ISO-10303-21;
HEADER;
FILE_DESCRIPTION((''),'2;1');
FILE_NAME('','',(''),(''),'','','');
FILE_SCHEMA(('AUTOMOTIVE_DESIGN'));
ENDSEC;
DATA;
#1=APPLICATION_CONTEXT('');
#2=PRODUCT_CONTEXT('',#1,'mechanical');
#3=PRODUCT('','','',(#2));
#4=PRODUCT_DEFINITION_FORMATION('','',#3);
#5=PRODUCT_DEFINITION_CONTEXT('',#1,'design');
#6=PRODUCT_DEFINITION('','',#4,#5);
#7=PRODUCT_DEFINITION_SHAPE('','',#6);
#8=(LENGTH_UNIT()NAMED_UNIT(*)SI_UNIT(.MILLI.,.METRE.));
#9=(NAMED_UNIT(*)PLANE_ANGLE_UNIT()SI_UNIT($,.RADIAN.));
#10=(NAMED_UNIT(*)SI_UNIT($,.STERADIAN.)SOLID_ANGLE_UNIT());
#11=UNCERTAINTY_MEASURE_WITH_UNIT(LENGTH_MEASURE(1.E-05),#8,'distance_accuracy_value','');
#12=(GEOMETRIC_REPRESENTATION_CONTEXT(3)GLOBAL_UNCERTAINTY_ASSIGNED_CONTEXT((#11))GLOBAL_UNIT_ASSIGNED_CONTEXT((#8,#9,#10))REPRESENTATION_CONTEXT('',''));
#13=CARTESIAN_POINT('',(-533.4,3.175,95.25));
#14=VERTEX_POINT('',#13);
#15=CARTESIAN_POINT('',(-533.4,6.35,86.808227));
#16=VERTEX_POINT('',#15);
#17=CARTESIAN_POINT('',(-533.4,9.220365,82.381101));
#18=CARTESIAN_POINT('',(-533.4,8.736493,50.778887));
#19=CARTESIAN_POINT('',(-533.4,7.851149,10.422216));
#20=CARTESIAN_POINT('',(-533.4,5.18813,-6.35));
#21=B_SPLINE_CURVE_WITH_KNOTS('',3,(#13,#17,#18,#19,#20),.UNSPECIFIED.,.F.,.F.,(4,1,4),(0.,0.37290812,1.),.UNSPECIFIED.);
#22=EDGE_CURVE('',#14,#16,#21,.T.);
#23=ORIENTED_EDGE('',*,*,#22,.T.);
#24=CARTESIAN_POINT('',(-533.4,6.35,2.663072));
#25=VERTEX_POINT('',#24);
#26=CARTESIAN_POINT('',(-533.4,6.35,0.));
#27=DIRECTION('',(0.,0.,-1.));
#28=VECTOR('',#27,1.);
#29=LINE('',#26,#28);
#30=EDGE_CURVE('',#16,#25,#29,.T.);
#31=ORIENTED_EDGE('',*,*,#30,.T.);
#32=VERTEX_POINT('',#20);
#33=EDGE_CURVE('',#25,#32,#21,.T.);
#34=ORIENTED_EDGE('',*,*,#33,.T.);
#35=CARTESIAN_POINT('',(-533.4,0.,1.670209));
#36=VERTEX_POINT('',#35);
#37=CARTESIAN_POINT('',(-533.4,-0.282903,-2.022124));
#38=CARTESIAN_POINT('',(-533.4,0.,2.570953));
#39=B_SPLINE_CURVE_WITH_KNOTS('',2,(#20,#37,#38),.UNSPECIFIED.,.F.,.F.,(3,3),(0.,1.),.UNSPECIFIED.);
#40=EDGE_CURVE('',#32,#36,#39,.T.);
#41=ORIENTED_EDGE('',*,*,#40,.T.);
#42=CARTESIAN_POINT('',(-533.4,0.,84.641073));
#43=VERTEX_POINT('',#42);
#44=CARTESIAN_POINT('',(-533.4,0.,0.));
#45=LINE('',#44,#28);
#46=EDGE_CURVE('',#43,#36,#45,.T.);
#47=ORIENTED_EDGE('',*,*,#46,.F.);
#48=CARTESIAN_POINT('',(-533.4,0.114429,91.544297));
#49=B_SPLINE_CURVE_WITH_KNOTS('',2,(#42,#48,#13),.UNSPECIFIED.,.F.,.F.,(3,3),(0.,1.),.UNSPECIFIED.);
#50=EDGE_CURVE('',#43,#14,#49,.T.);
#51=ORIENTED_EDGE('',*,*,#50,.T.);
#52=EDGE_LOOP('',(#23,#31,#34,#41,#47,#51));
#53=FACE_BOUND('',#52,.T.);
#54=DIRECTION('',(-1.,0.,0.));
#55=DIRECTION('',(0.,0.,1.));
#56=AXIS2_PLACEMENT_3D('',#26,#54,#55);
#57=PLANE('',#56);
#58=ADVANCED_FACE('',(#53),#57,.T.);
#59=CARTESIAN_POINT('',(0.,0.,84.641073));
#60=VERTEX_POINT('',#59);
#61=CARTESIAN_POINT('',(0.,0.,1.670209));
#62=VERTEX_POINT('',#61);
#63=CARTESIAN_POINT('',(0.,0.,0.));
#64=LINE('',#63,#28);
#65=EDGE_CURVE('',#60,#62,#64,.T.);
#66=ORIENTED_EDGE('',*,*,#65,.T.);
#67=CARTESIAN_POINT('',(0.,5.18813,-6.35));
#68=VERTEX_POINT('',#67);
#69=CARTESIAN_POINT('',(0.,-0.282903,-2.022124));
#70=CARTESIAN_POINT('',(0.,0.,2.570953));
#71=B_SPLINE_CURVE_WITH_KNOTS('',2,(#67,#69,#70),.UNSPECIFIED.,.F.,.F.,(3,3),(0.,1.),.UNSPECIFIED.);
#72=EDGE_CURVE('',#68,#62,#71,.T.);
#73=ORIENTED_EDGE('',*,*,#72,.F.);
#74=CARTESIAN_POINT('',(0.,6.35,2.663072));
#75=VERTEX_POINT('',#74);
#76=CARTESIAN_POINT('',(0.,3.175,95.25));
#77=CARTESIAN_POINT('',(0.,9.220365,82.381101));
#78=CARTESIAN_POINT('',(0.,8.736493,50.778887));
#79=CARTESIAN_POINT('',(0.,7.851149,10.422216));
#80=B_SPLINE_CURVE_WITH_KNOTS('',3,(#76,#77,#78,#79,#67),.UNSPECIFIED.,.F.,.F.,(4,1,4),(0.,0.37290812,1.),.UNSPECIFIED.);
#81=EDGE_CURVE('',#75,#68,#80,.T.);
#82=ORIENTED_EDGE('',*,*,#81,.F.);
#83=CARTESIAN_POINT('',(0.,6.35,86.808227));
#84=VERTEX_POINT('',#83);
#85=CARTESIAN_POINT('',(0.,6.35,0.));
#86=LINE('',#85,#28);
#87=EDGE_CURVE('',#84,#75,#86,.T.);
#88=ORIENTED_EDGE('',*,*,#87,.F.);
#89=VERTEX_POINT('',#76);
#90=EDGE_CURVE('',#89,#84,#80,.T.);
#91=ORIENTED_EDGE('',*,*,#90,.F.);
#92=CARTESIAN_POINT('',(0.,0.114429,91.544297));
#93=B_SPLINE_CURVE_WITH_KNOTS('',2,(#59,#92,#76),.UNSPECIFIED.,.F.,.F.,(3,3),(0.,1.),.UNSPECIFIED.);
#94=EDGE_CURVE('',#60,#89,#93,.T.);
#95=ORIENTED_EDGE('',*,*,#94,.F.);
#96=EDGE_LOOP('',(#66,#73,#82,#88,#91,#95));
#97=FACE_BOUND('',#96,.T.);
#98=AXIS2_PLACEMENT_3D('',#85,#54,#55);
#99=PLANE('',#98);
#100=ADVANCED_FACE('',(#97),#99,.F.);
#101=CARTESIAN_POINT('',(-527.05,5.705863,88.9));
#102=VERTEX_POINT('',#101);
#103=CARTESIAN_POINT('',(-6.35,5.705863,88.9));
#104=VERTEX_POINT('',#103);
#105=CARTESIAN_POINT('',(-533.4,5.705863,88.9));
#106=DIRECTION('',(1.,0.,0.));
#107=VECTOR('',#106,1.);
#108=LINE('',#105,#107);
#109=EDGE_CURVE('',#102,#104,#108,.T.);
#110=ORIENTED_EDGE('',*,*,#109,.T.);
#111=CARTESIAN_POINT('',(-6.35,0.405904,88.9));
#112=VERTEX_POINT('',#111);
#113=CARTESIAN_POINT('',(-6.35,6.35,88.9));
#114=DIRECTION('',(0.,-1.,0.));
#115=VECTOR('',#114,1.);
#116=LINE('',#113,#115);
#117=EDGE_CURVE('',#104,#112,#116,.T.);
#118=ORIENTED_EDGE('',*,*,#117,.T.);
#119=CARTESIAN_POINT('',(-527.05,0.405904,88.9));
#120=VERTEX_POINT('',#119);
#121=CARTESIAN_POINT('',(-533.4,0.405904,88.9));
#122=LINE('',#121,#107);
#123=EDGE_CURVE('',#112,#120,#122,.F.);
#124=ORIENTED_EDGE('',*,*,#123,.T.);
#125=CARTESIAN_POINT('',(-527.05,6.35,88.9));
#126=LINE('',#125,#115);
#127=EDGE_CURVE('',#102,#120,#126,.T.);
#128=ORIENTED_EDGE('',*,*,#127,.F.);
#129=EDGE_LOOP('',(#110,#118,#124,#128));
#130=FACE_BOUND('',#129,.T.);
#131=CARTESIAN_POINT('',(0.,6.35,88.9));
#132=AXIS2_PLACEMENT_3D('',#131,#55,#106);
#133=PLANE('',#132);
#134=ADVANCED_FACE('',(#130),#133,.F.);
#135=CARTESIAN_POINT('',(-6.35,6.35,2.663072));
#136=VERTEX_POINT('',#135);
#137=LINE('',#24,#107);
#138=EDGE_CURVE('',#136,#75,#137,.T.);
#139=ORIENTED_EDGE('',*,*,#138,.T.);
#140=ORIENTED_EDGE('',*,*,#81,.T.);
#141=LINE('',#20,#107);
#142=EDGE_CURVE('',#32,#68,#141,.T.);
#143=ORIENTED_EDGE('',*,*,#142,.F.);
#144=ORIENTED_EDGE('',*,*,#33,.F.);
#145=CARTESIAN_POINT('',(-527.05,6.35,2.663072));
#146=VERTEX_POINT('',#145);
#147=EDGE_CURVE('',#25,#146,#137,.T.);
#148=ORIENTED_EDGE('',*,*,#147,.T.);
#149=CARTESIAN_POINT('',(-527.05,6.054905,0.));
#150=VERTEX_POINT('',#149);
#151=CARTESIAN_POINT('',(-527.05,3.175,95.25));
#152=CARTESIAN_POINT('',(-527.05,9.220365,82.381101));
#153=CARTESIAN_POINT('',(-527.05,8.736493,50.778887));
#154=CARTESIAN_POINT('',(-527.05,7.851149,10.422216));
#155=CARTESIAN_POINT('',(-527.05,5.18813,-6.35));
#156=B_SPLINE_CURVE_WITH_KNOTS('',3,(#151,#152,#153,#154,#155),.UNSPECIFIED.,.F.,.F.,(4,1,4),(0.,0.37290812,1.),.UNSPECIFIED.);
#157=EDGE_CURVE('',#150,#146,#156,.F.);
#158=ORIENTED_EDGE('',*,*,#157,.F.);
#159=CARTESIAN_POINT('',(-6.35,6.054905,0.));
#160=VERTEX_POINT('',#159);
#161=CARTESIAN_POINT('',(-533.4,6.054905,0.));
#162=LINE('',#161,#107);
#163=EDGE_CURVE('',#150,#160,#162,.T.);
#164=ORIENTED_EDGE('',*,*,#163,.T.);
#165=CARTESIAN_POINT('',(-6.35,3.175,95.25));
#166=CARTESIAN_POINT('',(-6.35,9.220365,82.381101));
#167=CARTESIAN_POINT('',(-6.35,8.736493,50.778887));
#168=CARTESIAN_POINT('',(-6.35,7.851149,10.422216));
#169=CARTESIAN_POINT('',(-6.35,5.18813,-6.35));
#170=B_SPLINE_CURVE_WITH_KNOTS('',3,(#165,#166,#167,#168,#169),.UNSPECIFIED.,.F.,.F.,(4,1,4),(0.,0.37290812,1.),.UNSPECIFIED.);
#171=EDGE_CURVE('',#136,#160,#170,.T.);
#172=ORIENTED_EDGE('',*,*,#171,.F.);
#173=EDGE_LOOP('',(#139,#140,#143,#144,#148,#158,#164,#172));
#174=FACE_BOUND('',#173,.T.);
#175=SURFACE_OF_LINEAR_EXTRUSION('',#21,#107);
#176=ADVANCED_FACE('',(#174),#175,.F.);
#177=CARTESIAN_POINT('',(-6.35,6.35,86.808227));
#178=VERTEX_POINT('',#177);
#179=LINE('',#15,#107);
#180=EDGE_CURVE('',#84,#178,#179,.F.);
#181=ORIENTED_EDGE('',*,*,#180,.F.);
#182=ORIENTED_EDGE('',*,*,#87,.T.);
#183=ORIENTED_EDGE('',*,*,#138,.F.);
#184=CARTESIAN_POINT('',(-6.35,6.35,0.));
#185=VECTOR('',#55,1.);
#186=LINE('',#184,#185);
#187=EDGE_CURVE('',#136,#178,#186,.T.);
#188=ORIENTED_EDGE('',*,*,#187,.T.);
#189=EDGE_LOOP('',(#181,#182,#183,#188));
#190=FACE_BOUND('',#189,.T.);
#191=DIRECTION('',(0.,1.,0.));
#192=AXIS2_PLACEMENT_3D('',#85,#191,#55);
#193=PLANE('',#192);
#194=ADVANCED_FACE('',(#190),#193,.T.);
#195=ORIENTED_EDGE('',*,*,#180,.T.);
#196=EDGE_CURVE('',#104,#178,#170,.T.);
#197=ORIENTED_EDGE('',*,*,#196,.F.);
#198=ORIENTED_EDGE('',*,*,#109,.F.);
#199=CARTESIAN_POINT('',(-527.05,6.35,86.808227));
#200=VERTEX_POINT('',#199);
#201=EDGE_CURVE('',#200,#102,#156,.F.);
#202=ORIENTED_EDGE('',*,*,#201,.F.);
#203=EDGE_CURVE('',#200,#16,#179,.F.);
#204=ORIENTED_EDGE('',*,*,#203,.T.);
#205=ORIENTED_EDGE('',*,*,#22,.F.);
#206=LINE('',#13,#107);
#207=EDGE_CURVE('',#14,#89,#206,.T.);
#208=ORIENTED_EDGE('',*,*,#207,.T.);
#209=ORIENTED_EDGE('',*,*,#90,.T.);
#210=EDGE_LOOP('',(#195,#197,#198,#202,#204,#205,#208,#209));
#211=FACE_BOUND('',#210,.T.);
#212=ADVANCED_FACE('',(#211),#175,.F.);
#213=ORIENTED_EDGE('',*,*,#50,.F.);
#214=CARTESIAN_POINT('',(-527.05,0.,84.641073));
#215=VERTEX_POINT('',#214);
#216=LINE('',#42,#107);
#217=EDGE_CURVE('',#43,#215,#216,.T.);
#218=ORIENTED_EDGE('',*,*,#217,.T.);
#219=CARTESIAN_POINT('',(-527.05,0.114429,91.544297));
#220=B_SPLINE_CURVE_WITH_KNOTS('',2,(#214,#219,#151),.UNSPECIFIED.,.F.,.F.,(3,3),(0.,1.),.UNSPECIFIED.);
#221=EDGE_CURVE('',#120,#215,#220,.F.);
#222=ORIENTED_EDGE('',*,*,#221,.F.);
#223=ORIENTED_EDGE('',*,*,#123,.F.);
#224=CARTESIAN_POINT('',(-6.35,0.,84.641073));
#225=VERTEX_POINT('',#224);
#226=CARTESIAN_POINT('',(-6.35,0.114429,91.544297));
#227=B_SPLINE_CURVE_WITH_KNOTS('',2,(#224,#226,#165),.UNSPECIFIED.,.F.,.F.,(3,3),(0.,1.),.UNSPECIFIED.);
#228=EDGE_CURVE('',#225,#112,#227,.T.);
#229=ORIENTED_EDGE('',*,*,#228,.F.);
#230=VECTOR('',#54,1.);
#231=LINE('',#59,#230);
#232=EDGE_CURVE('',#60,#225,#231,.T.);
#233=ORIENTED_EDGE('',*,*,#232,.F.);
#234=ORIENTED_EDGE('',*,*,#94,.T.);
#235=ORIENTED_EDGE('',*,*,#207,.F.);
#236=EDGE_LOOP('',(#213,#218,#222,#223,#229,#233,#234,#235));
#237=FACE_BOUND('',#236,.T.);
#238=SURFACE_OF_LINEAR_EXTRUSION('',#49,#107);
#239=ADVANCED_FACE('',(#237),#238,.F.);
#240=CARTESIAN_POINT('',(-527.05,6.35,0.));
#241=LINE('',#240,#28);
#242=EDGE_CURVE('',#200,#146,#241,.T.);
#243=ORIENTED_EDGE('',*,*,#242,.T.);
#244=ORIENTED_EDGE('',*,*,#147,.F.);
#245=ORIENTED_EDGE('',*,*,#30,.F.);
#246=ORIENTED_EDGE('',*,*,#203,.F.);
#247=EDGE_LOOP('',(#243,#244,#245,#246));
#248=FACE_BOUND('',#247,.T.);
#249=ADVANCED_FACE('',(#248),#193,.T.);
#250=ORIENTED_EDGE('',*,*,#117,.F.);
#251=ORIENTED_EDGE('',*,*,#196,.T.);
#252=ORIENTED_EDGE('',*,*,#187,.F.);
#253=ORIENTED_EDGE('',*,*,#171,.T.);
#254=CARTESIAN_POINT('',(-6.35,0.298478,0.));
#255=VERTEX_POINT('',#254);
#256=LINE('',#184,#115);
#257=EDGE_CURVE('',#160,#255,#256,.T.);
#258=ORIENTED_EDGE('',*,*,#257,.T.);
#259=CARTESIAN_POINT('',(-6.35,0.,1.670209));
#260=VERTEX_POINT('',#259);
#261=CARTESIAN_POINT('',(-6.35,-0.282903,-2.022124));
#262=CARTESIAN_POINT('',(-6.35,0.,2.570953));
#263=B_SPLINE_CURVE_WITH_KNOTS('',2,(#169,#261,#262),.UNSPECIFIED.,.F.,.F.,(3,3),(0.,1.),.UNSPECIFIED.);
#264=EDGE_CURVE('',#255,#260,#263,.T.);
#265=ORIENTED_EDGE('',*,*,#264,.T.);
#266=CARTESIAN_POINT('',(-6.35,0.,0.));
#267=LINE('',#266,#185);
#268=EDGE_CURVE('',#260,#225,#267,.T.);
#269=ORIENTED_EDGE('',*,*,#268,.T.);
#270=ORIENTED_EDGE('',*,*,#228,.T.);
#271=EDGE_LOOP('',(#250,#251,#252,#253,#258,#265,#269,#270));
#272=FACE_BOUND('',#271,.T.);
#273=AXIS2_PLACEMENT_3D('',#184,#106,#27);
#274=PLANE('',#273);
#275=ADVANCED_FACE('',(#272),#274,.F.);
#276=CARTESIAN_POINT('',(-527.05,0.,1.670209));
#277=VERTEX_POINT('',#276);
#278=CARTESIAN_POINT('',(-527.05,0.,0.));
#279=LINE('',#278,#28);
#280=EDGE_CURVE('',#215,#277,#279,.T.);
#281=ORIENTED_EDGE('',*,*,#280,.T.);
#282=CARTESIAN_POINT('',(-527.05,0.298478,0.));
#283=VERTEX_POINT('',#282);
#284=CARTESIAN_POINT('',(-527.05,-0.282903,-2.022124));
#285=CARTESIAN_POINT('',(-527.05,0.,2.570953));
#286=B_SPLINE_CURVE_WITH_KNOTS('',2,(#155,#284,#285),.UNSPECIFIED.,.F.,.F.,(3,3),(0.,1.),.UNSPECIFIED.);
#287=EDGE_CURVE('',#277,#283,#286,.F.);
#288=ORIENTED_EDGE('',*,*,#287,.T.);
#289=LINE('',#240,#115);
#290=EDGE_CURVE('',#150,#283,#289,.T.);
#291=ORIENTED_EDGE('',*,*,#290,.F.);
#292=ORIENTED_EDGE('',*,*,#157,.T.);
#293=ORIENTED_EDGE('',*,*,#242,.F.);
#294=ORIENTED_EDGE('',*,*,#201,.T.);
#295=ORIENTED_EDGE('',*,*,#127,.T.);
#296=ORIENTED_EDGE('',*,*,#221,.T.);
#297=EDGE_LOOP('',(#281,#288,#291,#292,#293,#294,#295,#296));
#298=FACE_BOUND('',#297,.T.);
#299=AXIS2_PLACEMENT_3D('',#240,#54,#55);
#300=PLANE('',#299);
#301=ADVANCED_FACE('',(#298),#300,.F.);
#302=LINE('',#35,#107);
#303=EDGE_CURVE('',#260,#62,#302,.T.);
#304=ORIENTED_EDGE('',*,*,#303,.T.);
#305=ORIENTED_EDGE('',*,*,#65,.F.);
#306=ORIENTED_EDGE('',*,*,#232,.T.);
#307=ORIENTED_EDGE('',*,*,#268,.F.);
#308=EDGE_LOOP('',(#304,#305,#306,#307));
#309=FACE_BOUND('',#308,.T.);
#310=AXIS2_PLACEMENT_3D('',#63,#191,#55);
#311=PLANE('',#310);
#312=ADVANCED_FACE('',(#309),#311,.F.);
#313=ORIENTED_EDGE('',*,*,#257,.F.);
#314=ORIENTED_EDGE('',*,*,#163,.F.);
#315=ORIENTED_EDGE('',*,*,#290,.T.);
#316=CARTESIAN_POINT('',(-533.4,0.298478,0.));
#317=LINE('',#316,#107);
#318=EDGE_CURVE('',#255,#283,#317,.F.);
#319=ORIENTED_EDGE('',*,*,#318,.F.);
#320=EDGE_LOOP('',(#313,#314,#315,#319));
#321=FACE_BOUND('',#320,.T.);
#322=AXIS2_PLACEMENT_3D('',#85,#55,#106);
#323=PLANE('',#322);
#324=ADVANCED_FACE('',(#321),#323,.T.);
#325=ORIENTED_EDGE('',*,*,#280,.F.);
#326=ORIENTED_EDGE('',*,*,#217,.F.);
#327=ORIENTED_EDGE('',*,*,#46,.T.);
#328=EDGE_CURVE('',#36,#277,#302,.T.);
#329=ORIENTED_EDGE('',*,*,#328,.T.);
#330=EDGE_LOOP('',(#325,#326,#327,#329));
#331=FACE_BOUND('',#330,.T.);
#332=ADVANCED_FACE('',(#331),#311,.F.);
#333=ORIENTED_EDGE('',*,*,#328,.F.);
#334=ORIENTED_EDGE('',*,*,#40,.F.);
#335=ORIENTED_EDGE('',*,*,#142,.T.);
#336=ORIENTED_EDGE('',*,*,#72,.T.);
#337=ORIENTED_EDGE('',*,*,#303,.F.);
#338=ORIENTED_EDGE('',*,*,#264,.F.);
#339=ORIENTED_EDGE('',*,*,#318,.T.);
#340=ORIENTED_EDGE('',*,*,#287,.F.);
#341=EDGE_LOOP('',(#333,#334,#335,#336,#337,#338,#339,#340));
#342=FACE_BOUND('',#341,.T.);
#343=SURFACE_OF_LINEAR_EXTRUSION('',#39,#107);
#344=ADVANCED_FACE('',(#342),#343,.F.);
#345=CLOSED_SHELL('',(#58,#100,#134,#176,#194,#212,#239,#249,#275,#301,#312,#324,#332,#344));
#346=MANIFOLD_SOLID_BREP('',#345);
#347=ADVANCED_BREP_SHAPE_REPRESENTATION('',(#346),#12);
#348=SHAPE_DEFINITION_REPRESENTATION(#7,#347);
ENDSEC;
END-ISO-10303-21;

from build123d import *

# Parameters (mm, degrees)
SKETCH1_W           = 6.35
SKETCH1_H           = 88.9
SKETCH1_W_2         = 533.4
SKETCH1_H_2         = 6.35
BOSS_EXTRUDE1_DEPTH = 6.35
CUT_EXTRUDE1_DEPTH  = 534.4


with BuildPart() as part:
    # Sketch1 → Boss-Extrude1 (new body)
    with BuildSketch(Plane(origin=(0, 0, 0), x_dir=(1, 0, 0), z_dir=(0, 1, 0))):
        with Locations((-530.225, -44.45)):
            Rectangle(SKETCH1_W, SKETCH1_H)
        Polygon((-6.35, -95.25), (-6.35, -88.9), (-527.05, -88.9), (-533.4, -88.9), (-533.4, -95.25), align=None)
        with Locations((-266.7, 3.175)):
            Rectangle(SKETCH1_W_2, SKETCH1_H_2)
        Polygon((0, -95.25), (0, 0), (-6.35, 0), (-6.35, -88.9), (-6.35, -95.25), align=None)
    extrude(amount=BOSS_EXTRUDE1_DEPTH)

    # Sketch3 → Cut-Extrude1 (cut, through all)
    with BuildSketch(Plane(origin=(0, 0, 0), x_dir=(0, 0, -1), z_dir=(1, 0, 0))):
        with BuildLine():
            Line((-84.641073093, 0), (-84.641073093, -18.612237469))
            Line((-84.641073093, -18.612237469), (-110.014683452, -18.612237469))
            Line((-110.014683452, -18.612237469), (-110.014683452, 30.772943851))
            Line((-110.014683452, 30.772943851), (12.985283774, 30.772943851))
            Line((12.985283774, 30.772943851), (12.985283774, -18.612237469))
            Line((12.985283774, -18.612237469), (-2.570953077, -18.612237469))
            Line((-2.570953077, -18.612237469), (-2.570953077, 0))
            add(Edge.make_bspline(
                [(6.35, 5.188130384), (2.022123536, -0.282902935), (-2.570953077, 0)],
                knots=[0, 0, 0, 1, 1, 1], degree=2))
            add(Edge.make_bspline(
                [(-95.25, 3.175), (-82.381101325, 9.220365094), (-50.77888694, 8.736493451), (-10.422216495, 7.851149063), (6.35, 5.188130384)],
                knots=[0, 0, 0, 0, 0.37290812, 1, 1, 1, 1], degree=3))
            add(Edge.make_bspline(
                [(-95.25, 3.175), (-91.544297235, 0.114428997), (-84.641073093, 0)],
                knots=[0, 0, 0, 1, 1, 1], degree=2))
        make_face()
    extrude(amount=-CUT_EXTRUDE1_DEPTH, mode=Mode.SUBTRACT)


solid = part.part
